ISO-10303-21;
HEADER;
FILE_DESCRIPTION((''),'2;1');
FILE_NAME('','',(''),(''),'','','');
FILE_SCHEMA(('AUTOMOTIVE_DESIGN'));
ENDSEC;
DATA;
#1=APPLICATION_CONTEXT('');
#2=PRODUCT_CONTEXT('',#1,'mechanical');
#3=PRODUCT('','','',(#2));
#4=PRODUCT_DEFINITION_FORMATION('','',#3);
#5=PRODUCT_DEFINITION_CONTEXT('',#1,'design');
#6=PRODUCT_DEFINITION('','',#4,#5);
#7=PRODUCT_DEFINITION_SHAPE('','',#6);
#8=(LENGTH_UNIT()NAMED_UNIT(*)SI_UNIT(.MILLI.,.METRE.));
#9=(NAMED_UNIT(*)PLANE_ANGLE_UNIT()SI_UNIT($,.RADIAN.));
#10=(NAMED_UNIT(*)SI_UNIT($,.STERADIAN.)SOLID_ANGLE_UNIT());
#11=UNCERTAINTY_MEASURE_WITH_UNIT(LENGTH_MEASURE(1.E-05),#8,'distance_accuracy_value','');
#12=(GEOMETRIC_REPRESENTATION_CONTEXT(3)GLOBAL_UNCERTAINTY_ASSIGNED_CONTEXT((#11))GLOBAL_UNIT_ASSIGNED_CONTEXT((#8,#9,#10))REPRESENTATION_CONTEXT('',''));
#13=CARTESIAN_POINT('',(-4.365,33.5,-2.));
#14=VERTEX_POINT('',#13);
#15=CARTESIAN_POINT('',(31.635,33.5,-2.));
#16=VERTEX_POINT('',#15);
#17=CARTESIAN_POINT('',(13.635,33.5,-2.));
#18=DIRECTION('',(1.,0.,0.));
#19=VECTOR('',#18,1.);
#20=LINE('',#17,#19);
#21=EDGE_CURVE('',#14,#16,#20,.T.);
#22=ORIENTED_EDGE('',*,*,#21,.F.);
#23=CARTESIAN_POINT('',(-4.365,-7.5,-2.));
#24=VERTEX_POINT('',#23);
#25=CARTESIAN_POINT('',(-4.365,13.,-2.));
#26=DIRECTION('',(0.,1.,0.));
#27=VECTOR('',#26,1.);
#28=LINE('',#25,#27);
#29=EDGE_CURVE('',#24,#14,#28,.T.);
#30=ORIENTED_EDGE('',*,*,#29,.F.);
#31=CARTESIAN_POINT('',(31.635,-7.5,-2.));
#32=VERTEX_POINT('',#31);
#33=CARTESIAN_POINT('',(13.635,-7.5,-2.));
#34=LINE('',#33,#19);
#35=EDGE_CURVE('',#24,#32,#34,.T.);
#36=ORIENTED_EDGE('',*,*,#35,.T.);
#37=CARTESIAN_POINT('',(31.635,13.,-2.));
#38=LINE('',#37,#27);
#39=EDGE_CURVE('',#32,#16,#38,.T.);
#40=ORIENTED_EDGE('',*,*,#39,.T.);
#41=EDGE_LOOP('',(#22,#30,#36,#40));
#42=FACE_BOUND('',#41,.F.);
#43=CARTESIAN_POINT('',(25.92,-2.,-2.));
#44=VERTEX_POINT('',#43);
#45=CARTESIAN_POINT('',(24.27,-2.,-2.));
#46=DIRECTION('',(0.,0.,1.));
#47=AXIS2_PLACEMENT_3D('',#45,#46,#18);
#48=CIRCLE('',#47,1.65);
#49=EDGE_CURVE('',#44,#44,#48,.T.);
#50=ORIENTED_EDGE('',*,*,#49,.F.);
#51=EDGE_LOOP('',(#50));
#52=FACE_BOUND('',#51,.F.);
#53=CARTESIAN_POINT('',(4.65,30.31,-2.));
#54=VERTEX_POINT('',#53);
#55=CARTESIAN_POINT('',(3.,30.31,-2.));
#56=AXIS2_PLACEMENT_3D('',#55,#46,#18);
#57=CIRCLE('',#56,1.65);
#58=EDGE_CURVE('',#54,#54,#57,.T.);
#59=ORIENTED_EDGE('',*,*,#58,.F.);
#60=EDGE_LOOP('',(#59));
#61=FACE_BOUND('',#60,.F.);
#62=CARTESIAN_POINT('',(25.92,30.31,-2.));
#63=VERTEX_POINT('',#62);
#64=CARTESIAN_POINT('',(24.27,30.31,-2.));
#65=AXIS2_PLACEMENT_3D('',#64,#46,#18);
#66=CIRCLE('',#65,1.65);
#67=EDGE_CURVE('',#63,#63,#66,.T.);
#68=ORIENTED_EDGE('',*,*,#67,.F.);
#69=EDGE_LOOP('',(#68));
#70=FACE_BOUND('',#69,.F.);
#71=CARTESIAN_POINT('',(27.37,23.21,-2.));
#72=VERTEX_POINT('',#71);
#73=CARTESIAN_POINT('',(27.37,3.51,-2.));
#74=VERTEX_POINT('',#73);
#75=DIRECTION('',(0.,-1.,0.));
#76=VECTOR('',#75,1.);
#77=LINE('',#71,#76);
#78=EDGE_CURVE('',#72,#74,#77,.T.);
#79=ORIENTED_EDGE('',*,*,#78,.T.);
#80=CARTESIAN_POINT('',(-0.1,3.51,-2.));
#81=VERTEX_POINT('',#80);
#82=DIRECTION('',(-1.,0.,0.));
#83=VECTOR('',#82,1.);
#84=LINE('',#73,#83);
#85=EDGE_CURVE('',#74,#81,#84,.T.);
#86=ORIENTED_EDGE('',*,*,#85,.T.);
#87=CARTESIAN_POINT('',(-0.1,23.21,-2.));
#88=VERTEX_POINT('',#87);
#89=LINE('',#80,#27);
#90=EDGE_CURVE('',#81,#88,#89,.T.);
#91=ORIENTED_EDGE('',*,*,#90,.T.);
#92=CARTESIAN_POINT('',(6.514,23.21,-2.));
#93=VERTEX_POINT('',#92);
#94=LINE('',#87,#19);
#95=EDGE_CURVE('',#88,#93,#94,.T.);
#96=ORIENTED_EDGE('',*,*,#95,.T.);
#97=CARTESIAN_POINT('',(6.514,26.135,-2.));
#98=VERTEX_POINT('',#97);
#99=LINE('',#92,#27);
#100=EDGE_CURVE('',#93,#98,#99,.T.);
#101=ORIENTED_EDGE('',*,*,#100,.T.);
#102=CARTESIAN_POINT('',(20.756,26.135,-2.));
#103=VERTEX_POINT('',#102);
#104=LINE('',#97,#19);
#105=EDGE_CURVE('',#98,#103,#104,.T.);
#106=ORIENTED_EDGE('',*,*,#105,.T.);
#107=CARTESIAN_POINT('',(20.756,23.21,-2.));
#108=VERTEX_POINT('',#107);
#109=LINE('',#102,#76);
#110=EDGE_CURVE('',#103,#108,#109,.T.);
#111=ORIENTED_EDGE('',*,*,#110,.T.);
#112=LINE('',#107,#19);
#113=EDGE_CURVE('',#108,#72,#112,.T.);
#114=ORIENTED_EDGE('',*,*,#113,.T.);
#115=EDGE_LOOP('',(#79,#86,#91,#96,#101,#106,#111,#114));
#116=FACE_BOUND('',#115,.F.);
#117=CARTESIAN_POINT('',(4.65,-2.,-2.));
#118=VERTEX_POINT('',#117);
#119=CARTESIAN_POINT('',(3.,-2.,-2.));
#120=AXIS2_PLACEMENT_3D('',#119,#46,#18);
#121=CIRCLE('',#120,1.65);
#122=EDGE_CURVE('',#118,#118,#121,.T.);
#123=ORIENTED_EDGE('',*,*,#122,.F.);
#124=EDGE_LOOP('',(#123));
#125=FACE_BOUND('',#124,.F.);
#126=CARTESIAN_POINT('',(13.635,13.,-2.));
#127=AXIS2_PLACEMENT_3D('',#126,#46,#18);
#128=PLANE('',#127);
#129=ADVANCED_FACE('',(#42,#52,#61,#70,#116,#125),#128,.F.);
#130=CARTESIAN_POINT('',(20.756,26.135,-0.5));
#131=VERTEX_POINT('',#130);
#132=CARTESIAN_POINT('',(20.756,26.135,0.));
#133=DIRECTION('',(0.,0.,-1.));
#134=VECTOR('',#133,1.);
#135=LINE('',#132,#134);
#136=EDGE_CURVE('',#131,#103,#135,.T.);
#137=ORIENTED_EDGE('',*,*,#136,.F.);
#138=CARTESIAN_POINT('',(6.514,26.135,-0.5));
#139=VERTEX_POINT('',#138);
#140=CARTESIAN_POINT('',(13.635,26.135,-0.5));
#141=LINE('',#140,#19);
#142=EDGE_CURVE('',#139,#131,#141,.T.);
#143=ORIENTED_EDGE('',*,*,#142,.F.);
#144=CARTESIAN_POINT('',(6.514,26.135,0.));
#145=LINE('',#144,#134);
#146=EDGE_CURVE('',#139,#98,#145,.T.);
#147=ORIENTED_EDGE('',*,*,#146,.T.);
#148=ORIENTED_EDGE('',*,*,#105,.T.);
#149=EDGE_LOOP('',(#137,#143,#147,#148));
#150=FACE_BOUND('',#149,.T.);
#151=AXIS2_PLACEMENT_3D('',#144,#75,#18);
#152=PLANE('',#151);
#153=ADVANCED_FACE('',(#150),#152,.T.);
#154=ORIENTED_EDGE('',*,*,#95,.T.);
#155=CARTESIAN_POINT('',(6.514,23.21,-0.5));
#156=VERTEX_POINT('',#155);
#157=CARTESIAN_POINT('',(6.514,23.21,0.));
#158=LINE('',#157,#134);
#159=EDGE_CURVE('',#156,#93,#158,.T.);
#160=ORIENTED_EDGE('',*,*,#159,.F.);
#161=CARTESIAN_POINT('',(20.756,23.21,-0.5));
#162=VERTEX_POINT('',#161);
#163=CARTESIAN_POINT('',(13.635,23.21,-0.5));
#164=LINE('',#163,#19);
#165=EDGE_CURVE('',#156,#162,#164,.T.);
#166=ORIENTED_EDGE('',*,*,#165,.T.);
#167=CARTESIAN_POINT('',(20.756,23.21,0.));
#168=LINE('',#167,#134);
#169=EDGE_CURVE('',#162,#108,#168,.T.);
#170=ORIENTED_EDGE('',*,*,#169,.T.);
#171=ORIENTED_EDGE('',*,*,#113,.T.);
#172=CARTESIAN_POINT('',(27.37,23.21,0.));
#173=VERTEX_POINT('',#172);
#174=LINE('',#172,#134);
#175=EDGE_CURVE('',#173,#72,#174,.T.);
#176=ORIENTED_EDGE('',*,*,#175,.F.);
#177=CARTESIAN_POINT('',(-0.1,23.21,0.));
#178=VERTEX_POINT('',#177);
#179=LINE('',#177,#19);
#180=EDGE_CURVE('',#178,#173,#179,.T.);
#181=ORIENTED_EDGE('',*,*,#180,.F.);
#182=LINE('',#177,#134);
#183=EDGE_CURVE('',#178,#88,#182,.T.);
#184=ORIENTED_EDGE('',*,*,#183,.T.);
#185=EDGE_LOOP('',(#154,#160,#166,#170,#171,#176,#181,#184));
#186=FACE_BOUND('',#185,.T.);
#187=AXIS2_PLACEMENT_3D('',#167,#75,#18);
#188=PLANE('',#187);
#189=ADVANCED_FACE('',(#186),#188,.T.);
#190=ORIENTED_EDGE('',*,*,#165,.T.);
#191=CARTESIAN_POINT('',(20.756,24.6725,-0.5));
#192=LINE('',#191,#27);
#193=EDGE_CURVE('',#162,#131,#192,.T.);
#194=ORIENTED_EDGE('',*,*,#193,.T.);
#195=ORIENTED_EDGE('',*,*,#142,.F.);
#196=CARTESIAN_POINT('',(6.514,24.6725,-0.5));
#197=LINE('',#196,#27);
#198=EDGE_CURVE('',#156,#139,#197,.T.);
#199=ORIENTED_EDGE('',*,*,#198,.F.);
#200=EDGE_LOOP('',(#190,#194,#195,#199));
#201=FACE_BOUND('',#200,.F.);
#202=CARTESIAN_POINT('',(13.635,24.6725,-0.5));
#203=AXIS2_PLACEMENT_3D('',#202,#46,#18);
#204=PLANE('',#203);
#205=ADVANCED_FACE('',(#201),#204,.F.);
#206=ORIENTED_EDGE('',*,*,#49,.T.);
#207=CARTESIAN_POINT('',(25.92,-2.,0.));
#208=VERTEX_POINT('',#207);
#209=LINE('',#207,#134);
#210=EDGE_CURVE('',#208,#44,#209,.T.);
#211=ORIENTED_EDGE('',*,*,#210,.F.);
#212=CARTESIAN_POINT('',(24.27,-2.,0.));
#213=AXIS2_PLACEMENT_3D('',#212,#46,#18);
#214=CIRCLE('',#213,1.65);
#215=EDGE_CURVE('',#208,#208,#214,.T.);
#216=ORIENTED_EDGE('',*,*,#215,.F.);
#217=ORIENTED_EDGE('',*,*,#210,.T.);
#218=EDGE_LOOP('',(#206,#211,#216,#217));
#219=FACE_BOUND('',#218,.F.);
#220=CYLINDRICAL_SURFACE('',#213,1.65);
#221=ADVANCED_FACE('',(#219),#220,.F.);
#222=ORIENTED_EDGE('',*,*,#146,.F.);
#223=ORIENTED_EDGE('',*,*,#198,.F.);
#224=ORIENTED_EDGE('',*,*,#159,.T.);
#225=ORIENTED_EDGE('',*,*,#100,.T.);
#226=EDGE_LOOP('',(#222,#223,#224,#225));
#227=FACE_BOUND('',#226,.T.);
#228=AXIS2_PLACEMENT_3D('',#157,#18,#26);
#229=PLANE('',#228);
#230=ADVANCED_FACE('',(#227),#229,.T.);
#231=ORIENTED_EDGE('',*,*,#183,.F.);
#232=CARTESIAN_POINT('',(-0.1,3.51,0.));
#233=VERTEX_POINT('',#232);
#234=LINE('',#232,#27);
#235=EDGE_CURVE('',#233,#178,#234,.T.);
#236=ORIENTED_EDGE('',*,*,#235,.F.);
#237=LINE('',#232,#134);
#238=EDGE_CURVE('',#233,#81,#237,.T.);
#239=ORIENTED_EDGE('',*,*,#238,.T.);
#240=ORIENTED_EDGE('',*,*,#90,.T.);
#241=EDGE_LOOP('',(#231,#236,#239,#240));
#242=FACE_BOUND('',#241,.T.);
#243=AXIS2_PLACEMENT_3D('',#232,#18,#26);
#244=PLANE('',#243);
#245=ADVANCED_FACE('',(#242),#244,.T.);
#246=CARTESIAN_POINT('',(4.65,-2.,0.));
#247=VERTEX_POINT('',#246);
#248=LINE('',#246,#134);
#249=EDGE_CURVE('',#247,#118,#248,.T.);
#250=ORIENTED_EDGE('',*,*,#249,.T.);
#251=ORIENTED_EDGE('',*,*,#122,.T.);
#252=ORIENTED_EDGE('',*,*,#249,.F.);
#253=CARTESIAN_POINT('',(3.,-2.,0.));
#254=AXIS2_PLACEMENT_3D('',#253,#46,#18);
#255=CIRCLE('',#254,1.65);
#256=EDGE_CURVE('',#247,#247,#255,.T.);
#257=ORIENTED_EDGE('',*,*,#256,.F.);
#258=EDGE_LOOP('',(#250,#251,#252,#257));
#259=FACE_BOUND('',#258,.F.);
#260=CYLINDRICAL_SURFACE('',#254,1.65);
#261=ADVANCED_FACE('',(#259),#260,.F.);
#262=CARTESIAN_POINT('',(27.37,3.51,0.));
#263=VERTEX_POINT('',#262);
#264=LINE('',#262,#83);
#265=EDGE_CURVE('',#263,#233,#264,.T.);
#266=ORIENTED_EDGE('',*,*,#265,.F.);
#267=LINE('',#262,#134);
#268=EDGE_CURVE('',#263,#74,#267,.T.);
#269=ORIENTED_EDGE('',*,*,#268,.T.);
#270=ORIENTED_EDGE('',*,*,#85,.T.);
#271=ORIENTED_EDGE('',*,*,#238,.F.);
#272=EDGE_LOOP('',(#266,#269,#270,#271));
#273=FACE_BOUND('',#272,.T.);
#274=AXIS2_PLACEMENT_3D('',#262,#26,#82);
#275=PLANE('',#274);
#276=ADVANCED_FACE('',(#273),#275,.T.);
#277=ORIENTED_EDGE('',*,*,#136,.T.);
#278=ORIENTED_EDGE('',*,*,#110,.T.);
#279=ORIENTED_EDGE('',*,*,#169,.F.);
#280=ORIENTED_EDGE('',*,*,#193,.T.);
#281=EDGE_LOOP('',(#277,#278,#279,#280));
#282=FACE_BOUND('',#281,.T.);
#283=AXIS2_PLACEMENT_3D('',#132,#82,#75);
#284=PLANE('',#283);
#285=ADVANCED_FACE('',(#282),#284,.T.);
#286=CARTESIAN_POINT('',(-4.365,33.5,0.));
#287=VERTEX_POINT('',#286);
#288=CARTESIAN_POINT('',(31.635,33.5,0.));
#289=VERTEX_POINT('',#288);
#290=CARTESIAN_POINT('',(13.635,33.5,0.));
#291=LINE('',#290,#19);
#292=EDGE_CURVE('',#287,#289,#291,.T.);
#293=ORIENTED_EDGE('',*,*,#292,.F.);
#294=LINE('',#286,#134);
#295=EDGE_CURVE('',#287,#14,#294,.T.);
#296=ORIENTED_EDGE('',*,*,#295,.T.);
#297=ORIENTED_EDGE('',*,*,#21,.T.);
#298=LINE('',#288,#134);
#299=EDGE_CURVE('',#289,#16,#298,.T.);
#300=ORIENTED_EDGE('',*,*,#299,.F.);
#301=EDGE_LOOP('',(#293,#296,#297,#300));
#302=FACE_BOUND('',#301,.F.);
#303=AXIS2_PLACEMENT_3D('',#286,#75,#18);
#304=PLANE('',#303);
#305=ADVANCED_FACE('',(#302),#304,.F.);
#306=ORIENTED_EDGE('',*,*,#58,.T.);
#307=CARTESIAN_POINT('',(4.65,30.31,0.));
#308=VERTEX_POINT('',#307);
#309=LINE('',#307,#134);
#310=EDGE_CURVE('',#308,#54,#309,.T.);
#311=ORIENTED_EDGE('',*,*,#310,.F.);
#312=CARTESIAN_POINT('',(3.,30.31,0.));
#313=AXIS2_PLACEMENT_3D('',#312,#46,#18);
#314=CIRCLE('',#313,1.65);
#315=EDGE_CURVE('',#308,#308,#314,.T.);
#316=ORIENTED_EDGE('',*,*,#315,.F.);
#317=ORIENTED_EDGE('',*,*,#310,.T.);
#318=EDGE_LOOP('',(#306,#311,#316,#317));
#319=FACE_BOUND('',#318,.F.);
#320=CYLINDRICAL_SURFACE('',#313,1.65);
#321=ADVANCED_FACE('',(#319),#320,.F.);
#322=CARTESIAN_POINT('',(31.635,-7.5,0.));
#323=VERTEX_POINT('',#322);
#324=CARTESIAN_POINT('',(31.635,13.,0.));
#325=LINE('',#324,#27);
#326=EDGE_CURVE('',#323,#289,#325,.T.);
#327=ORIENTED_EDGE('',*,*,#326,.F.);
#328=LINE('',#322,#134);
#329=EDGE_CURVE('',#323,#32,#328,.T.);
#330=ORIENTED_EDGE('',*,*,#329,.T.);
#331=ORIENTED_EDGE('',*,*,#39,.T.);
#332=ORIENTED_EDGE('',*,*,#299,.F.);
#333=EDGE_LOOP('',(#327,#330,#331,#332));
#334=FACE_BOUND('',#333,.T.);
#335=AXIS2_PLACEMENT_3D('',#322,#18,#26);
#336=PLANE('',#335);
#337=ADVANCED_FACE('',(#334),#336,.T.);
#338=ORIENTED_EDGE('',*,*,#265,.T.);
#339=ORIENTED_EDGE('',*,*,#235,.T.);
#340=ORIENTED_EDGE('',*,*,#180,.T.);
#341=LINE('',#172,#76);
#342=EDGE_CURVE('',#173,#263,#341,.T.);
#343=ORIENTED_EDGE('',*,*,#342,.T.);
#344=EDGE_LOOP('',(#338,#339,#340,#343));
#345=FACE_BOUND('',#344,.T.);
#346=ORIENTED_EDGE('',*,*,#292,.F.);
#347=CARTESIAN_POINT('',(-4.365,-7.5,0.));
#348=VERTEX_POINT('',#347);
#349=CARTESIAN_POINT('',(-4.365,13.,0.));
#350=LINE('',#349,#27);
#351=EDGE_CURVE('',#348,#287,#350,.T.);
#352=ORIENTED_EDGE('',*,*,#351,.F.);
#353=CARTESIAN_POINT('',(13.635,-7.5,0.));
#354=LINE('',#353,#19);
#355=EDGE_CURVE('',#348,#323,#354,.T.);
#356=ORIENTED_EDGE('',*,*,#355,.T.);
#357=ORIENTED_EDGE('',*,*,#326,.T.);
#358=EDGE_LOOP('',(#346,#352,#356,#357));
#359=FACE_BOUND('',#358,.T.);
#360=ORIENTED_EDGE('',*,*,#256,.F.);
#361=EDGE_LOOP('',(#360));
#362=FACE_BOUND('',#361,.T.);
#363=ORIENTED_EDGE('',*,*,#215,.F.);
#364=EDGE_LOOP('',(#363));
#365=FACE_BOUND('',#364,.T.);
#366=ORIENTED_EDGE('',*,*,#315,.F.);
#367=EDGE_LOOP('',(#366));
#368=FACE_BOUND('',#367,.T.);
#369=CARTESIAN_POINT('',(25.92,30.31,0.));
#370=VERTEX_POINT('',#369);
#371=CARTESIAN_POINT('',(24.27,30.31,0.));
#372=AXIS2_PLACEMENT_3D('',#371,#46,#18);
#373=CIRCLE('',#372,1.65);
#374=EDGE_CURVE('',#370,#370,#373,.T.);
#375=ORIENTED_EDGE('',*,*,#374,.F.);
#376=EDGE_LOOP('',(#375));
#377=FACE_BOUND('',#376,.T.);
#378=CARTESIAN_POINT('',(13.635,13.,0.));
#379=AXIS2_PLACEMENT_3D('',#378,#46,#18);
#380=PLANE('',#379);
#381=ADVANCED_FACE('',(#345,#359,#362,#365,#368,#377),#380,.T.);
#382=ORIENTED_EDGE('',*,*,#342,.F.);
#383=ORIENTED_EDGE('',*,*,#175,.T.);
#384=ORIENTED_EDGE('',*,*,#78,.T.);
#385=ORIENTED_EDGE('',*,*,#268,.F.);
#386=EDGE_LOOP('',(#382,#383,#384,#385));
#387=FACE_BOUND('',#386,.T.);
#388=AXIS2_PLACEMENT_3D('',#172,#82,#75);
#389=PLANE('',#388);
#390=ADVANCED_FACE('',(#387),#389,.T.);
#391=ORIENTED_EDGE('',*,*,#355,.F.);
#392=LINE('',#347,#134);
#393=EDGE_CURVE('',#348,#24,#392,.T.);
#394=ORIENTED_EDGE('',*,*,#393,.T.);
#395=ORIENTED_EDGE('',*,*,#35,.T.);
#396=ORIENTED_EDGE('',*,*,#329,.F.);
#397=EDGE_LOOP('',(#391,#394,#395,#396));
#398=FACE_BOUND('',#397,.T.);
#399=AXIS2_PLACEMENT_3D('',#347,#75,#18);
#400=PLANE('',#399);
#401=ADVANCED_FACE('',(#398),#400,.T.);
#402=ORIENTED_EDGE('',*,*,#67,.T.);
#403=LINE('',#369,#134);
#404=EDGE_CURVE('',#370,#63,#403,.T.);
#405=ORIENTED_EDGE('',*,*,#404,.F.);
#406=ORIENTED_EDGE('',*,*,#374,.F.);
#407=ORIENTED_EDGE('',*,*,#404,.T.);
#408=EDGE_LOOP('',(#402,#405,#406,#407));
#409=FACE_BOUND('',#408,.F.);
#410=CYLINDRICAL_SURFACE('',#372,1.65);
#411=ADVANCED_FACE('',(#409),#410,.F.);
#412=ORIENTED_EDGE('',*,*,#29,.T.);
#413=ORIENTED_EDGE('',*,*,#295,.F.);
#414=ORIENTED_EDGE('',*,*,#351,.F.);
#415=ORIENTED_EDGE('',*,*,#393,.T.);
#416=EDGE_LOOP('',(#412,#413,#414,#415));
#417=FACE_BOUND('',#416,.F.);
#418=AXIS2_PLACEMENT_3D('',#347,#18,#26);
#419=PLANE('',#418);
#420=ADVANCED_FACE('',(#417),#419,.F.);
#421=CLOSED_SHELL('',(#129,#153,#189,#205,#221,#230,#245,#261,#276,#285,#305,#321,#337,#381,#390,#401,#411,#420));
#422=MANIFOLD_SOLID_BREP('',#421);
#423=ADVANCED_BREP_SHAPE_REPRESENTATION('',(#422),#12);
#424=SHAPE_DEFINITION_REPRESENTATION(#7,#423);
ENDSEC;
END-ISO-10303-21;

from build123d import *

# Parameters (mm, degrees)
SKETCH033_W      = 36
SKETCH033_H      = 41
SKETCH033_R      = 1.65
EXTRUDE035_DEPTH = 2
SKETCH039_W      = 14.242
SKETCH039_H      = 2.925
EXTRUDE039_DEPTH = 0.5


with BuildPart() as extrude_displaycase_front:
    # Sketch033 → Extrude035 (new body)
    with BuildSketch(Plane.XY):
        with Locations((13.635, 13)):
            Rectangle(SKETCH033_W, SKETCH033_H)
        with Locations((3, 30.31)):
            Circle(SKETCH033_R, mode=Mode.SUBTRACT)
        with Locations((24.27, 30.31)):
            Circle(SKETCH033_R, mode=Mode.SUBTRACT)
        with Locations((3, -2)):
            Circle(SKETCH033_R, mode=Mode.SUBTRACT)
        with Locations((24.27, -2)):
            Circle(SKETCH033_R, mode=Mode.SUBTRACT)
        Polygon((27.37, 23.21), (27.37, 3.51), (-0.1, 3.51), (-0.1, 23.21), (6.514, 23.21), (6.514, 26.135), (20.756, 26.135), (20.756, 23.21), align=None, mode=Mode.SUBTRACT)
    extrude(amount=-EXTRUDE035_DEPTH)


with BuildPart() as fusion_displaycase_front:
    # Sketch039 → Extrude039 (new body)
    with BuildSketch(Plane.XY):
        with Locations((13.635, 24.6725)):
            Rectangle(SKETCH039_W, SKETCH039_H)
    extrude(amount=-EXTRUDE039_DEPTH)

    # Fusion012: union Extrude_DisplayCase_Front
    add(extrude_displaycase_front.part)


solid = fusion_displaycase_front.part
